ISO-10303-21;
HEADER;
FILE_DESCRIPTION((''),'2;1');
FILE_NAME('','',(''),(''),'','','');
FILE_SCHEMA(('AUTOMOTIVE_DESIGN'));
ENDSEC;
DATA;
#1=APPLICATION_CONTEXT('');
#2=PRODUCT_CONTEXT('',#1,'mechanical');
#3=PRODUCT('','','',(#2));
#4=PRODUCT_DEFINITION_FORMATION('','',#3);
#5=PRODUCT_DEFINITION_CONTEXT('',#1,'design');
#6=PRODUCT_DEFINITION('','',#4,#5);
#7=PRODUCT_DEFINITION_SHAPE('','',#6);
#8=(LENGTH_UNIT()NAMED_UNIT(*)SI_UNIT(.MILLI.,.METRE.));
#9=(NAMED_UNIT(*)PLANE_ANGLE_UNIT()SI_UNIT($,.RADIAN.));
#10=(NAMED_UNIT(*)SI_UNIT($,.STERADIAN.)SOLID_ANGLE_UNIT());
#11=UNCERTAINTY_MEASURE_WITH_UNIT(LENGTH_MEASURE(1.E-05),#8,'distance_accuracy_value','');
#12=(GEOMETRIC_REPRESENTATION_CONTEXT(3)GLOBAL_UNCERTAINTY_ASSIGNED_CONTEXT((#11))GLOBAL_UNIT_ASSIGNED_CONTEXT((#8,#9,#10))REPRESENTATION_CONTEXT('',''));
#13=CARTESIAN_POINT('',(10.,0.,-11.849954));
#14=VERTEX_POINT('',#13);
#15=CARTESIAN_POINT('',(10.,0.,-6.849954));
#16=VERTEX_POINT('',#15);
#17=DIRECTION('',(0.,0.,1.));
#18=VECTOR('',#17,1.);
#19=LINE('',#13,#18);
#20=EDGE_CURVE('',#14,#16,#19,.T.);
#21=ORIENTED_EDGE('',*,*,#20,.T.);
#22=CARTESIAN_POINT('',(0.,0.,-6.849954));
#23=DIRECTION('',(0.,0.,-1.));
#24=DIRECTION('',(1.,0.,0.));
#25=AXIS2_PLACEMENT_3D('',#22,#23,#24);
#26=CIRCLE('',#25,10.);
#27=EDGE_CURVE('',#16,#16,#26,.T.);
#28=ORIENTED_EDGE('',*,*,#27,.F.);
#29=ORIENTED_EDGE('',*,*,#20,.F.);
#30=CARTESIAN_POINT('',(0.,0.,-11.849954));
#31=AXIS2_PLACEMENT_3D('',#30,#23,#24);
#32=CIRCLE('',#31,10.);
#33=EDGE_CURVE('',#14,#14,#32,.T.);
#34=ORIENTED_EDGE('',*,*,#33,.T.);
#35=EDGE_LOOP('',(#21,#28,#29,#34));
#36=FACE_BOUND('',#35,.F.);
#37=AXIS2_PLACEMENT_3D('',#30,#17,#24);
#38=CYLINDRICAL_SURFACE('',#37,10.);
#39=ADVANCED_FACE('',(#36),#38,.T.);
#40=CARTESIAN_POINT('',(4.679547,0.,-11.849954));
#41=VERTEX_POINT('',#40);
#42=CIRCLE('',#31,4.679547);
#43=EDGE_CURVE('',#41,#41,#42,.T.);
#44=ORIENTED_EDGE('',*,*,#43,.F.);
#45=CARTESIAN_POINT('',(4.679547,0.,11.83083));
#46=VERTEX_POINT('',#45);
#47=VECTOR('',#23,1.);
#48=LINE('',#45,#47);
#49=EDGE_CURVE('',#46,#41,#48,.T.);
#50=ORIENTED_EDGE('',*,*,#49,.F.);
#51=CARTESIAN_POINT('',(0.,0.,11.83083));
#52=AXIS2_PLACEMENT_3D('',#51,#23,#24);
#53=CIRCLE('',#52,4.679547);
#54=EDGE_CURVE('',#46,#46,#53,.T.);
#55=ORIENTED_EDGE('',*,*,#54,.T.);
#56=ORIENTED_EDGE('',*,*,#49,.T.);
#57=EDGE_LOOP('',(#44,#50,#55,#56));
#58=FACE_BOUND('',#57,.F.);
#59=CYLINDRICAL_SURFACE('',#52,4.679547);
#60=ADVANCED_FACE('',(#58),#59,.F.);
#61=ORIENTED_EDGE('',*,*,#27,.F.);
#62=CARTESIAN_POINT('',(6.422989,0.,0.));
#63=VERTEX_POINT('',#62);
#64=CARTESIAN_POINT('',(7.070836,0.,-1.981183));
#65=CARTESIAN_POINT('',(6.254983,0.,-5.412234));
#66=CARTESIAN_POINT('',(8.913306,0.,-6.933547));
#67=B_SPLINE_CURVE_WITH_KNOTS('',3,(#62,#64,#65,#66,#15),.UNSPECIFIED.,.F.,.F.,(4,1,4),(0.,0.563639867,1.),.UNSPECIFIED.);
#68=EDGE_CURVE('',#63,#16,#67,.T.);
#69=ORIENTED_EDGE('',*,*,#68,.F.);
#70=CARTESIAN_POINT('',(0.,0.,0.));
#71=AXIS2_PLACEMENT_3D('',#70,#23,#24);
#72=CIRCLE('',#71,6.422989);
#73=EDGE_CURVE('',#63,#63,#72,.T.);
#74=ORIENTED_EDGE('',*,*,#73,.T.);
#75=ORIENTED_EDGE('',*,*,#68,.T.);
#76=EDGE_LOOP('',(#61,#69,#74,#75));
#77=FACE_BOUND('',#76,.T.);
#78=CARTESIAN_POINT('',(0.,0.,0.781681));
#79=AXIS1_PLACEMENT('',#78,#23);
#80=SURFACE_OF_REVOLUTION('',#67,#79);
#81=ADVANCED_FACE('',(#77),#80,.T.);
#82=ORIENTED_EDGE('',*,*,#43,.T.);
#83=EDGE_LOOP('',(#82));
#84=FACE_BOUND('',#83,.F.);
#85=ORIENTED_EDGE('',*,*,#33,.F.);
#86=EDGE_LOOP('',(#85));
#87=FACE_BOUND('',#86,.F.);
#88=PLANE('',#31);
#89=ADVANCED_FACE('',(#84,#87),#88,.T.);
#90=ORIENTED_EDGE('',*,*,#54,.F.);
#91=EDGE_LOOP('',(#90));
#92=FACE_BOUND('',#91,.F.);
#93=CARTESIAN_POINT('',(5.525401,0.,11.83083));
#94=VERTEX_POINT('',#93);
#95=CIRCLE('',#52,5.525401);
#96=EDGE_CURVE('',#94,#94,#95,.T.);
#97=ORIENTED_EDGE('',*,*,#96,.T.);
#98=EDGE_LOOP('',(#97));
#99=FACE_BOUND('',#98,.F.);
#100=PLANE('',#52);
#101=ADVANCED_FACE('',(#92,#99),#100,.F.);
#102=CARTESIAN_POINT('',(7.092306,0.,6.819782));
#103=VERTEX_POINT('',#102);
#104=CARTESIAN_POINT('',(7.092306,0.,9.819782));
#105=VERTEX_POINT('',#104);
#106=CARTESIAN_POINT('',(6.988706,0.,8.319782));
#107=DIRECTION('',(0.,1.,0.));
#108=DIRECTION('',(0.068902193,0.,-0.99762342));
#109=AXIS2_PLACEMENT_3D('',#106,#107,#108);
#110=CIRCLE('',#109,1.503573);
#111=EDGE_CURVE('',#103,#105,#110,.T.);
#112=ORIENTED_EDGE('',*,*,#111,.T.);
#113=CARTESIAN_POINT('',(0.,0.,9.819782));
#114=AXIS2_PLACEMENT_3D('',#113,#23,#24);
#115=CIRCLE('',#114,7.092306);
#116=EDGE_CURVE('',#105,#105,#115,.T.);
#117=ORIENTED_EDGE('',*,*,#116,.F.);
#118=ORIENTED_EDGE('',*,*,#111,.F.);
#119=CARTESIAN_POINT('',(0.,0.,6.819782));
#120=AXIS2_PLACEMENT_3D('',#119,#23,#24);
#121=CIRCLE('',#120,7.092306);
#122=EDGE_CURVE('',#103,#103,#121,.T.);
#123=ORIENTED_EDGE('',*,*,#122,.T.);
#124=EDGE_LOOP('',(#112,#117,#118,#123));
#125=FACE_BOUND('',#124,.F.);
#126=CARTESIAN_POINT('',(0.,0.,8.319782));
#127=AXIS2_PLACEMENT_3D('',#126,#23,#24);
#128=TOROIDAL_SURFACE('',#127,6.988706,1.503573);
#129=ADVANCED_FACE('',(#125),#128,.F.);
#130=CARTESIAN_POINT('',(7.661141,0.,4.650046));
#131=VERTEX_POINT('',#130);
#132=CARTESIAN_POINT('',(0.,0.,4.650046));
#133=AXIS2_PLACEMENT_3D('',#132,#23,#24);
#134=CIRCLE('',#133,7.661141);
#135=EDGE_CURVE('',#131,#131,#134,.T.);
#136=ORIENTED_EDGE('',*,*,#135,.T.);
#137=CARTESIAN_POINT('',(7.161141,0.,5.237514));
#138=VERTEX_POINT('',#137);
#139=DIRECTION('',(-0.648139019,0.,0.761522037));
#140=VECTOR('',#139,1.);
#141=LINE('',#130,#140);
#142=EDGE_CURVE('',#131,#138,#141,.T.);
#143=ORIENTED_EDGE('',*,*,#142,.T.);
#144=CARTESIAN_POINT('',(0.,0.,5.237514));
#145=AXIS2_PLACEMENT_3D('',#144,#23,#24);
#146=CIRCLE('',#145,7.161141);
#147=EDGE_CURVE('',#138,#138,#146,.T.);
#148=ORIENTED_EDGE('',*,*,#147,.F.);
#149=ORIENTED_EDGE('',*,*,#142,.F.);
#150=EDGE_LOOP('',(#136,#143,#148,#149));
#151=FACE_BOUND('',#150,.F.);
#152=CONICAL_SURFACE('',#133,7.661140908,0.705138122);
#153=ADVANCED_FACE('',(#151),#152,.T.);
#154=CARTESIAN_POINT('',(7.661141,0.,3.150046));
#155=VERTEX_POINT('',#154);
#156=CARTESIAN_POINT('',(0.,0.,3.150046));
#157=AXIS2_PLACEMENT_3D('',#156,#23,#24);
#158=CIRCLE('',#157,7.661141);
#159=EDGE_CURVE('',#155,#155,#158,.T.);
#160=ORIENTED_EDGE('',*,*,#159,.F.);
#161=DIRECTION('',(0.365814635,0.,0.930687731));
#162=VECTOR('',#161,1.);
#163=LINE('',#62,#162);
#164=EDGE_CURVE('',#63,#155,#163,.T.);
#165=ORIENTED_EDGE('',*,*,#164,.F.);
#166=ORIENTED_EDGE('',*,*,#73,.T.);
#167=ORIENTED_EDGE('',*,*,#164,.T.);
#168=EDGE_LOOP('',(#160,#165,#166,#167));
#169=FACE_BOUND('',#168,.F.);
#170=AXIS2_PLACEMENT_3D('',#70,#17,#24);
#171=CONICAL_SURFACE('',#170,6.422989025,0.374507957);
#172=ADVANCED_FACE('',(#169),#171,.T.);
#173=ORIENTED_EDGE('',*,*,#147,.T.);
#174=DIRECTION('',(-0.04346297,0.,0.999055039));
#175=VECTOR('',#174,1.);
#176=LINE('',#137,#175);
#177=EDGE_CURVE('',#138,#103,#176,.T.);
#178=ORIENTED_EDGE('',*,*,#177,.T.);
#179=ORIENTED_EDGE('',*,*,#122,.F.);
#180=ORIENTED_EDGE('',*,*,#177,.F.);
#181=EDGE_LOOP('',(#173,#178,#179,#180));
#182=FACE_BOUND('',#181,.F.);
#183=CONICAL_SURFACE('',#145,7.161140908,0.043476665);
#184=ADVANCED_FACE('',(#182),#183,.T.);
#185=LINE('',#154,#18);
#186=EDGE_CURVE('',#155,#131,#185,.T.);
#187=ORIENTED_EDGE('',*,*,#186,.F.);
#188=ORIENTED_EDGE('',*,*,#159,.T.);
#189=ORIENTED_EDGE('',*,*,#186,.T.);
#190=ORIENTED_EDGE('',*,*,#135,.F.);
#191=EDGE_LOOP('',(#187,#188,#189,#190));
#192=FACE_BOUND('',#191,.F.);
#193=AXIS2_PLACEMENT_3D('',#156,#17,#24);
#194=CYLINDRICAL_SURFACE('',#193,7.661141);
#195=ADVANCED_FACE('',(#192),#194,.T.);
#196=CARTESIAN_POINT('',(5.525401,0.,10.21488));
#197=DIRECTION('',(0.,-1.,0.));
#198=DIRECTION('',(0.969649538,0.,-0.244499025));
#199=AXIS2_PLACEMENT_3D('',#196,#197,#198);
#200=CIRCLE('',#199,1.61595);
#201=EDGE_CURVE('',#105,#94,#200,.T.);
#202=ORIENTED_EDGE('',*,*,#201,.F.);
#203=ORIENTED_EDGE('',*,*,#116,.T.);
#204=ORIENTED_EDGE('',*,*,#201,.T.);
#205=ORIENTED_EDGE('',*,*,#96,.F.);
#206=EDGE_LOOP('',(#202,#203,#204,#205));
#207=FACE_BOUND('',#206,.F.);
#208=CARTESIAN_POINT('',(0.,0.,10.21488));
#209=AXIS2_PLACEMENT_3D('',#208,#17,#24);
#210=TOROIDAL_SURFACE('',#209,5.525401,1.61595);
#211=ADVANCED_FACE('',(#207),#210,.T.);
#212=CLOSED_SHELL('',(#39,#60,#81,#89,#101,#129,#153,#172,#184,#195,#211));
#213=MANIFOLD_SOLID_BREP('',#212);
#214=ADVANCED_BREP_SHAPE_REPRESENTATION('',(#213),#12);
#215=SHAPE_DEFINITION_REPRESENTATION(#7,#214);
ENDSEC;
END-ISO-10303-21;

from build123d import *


with BuildPart() as f1:
    # F0 (on Front) → F1 (revolve)
    with BuildSketch(Plane.XZ):
        with BuildLine():
            Line((5.5254005673, 11.8308302508), (4.6795468959, 11.8308302508))
            Line((4.6795468959, 11.8308302508), (4.6795468959, -11.8499544441))
            Line((4.6795468959, -11.8499544441), (10, -11.8499544441))
            Line((10, -11.8499544441), (10, -6.8499544441))
            add(Edge.make_bspline(
                [(6.4229890248, 0), (7.0708356602, -1.9811828896), (6.2549830273, -5.4122342214), (8.9133059577, -6.93354658), (10, -6.8499544441)],
                knots=[0, 0, 0, 0, 0.5636398672, 1, 1, 1, 1], degree=3))
            Line((6.4229890248, 0), (7.6611409076, 3.1500455559))
            Line((7.6611409076, 3.1500455559), (7.6611409076, 4.6500455559))
            Line((7.6611409076, 4.6500455559), (7.1611409076, 5.2375136875))
            Line((7.1611409076, 5.2375136875), (7.0923057811, 6.8197819958))
            ThreePointArc((7.0923057811, 6.8197819958), (5.4851329166, 8.3197819958), (7.0923057811, 9.8197819958))
            ThreePointArc((7.0923057811, 9.8197819958), (6.8001071054, 11.2080658826), (5.5254005673, 11.8308302508))
        make_face()
    revolve(axis=Axis((0, 0, 0.781680822), (0, 0, -1)))


solid = f1.part
